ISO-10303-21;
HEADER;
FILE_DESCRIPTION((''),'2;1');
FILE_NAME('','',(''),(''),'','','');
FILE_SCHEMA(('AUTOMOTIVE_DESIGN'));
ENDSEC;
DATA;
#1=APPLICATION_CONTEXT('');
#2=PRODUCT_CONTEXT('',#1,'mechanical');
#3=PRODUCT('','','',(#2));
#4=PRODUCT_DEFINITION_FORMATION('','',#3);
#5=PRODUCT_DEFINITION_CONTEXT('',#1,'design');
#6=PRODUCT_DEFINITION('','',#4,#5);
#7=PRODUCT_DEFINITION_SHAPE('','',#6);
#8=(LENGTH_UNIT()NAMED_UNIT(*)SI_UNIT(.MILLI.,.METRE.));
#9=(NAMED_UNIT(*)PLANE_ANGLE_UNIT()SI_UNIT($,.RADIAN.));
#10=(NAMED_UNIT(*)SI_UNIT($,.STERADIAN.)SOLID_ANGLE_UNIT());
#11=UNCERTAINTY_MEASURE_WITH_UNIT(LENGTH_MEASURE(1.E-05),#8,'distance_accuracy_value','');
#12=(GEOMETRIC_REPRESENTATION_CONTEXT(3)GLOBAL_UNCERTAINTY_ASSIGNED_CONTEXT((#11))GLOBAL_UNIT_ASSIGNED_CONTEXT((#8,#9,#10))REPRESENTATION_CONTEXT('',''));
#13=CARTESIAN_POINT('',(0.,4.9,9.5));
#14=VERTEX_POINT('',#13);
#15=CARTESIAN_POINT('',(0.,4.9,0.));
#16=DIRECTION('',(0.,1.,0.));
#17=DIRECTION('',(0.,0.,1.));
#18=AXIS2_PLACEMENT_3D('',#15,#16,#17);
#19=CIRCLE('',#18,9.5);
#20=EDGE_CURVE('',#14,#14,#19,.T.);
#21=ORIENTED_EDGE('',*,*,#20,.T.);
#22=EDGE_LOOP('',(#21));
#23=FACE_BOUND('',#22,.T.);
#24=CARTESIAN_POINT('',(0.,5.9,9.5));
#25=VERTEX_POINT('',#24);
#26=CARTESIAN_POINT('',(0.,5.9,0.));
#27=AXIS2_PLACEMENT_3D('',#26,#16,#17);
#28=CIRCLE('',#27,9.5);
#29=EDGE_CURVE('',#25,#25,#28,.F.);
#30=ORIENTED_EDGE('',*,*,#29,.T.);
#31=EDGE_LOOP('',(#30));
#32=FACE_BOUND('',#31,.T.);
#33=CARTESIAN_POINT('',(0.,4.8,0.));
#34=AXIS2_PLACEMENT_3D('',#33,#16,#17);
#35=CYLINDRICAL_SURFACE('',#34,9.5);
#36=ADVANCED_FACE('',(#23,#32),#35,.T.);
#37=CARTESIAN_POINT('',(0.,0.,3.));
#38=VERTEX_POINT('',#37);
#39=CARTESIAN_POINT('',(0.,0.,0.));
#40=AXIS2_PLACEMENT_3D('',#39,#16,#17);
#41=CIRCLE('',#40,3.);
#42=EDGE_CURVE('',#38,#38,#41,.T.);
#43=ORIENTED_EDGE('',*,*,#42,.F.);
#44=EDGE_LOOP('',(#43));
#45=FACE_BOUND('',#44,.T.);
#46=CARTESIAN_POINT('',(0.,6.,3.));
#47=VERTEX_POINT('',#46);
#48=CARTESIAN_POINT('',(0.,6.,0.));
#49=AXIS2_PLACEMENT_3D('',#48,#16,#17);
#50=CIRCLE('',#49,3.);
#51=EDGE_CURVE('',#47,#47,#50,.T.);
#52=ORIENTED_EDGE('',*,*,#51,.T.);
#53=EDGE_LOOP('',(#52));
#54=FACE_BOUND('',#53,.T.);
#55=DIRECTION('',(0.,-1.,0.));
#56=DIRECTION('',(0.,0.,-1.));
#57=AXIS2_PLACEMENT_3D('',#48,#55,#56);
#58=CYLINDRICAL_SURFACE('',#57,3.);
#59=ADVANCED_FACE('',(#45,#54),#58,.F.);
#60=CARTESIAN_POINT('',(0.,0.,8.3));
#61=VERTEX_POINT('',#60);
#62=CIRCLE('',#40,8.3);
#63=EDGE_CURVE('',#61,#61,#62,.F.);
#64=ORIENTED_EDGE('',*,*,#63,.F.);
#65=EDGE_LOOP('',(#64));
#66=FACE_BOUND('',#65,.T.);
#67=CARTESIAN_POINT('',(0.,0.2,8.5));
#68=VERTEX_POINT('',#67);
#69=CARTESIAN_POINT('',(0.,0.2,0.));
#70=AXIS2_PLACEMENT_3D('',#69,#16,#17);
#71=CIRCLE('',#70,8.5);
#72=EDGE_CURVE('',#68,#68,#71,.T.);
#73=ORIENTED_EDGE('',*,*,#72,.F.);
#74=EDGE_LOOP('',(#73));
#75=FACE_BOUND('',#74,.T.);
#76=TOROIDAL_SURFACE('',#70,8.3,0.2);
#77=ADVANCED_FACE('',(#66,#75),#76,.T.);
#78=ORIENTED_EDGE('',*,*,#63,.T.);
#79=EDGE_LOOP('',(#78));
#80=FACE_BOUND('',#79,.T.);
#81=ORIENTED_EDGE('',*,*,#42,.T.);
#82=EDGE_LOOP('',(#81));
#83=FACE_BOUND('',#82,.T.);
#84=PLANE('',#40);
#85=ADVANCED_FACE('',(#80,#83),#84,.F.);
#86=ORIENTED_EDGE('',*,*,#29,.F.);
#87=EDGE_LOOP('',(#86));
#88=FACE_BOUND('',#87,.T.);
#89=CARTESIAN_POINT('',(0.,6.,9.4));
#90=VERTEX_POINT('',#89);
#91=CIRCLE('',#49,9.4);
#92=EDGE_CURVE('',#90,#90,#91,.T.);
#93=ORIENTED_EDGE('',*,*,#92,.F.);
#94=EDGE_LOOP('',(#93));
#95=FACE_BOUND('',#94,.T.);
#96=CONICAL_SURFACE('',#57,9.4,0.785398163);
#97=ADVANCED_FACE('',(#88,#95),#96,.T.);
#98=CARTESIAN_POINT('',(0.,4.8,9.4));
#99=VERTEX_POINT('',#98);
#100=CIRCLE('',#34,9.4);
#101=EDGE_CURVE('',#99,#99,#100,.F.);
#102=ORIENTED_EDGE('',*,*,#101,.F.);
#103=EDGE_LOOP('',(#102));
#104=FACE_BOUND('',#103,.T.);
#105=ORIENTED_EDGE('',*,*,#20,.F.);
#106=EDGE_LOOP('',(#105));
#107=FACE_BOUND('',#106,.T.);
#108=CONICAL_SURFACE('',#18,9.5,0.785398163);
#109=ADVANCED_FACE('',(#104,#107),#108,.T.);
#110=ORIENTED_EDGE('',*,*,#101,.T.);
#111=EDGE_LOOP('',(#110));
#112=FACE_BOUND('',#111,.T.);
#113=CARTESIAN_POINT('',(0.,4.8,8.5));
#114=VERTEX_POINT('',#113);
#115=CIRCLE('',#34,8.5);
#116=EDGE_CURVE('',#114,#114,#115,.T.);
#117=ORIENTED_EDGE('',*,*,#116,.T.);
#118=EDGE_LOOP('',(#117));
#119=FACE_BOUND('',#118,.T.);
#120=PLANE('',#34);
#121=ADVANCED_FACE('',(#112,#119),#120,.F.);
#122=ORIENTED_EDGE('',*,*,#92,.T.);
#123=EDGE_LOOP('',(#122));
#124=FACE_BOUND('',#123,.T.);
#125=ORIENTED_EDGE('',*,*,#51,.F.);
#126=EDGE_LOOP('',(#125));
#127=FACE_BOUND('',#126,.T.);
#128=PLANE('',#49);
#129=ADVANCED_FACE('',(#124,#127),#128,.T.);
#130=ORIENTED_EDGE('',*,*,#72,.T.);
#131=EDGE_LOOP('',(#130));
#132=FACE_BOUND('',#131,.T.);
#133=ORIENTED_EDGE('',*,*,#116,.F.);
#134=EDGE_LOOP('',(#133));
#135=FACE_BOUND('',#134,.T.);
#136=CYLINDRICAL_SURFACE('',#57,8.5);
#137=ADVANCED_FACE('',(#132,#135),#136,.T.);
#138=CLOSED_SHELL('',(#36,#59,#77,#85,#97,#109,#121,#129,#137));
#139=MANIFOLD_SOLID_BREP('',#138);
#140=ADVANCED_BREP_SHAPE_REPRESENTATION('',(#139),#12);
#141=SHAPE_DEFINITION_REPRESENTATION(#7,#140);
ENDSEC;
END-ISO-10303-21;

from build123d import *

# Parameters (mm, degrees)
SKETCH_1_R      = 8.5
SKETCH_1_R_2    = 3
EXTRUDE_1_DEPTH = 6
EXTRUDE_START   = -1.2
SKETCH_2_R      = 9.5
SKETCH_2_R_2    = 3
EXTRUDE_2_DEPTH = 1.2
FILLET_1_R      = 0.2
CHAMFER_1_SIZE  = 0.1


with BuildPart() as part:
    # 草图1 → 凸台-拉伸1 (new body)
    with BuildSketch(Plane(origin=(0, 0, 0), x_dir=(1, 0, 0), z_dir=(0, 1, 0))):
        with Locations(Location((0, 0, 0), (0, 0, 270))):
            Circle(SKETCH_1_R)
        with Locations(Location((0, 0, 0), (0, 0, 270))):
            Circle(SKETCH_1_R_2, mode=Mode.SUBTRACT)
    extrude(amount=EXTRUDE_1_DEPTH)

    # 草图2 → 凸台-拉伸2 (add)
    with BuildSketch(Plane(origin=(0, 6, 0), x_dir=(1, 0, 0), z_dir=(0, 1, 0)).offset(EXTRUDE_START)):
        with Locations(Location((0, 0, 0), (0, 0, 270))):
            Circle(SKETCH_2_R)
        with Locations(Location((0, 0, 0), (0, 0, 270))):
            Circle(SKETCH_2_R_2, mode=Mode.SUBTRACT)
    extrude(amount=EXTRUDE_2_DEPTH)

    # 圆角1
    fillet_1_edges = [part.edges().sort_by_distance(p)[0] for p in [
        (0, 0, -8.5),
    ]]
    fillet(fillet_1_edges, radius=FILLET_1_R)

    # 倒角1
    chamfer_1_edges = [part.edges().sort_by_distance(p)[0] for p in [
        (0, 6, -9.5),
        (0, 4.8, -9.5),
    ]]
    chamfer(chamfer_1_edges, length=CHAMFER_1_SIZE)


solid = part.part
